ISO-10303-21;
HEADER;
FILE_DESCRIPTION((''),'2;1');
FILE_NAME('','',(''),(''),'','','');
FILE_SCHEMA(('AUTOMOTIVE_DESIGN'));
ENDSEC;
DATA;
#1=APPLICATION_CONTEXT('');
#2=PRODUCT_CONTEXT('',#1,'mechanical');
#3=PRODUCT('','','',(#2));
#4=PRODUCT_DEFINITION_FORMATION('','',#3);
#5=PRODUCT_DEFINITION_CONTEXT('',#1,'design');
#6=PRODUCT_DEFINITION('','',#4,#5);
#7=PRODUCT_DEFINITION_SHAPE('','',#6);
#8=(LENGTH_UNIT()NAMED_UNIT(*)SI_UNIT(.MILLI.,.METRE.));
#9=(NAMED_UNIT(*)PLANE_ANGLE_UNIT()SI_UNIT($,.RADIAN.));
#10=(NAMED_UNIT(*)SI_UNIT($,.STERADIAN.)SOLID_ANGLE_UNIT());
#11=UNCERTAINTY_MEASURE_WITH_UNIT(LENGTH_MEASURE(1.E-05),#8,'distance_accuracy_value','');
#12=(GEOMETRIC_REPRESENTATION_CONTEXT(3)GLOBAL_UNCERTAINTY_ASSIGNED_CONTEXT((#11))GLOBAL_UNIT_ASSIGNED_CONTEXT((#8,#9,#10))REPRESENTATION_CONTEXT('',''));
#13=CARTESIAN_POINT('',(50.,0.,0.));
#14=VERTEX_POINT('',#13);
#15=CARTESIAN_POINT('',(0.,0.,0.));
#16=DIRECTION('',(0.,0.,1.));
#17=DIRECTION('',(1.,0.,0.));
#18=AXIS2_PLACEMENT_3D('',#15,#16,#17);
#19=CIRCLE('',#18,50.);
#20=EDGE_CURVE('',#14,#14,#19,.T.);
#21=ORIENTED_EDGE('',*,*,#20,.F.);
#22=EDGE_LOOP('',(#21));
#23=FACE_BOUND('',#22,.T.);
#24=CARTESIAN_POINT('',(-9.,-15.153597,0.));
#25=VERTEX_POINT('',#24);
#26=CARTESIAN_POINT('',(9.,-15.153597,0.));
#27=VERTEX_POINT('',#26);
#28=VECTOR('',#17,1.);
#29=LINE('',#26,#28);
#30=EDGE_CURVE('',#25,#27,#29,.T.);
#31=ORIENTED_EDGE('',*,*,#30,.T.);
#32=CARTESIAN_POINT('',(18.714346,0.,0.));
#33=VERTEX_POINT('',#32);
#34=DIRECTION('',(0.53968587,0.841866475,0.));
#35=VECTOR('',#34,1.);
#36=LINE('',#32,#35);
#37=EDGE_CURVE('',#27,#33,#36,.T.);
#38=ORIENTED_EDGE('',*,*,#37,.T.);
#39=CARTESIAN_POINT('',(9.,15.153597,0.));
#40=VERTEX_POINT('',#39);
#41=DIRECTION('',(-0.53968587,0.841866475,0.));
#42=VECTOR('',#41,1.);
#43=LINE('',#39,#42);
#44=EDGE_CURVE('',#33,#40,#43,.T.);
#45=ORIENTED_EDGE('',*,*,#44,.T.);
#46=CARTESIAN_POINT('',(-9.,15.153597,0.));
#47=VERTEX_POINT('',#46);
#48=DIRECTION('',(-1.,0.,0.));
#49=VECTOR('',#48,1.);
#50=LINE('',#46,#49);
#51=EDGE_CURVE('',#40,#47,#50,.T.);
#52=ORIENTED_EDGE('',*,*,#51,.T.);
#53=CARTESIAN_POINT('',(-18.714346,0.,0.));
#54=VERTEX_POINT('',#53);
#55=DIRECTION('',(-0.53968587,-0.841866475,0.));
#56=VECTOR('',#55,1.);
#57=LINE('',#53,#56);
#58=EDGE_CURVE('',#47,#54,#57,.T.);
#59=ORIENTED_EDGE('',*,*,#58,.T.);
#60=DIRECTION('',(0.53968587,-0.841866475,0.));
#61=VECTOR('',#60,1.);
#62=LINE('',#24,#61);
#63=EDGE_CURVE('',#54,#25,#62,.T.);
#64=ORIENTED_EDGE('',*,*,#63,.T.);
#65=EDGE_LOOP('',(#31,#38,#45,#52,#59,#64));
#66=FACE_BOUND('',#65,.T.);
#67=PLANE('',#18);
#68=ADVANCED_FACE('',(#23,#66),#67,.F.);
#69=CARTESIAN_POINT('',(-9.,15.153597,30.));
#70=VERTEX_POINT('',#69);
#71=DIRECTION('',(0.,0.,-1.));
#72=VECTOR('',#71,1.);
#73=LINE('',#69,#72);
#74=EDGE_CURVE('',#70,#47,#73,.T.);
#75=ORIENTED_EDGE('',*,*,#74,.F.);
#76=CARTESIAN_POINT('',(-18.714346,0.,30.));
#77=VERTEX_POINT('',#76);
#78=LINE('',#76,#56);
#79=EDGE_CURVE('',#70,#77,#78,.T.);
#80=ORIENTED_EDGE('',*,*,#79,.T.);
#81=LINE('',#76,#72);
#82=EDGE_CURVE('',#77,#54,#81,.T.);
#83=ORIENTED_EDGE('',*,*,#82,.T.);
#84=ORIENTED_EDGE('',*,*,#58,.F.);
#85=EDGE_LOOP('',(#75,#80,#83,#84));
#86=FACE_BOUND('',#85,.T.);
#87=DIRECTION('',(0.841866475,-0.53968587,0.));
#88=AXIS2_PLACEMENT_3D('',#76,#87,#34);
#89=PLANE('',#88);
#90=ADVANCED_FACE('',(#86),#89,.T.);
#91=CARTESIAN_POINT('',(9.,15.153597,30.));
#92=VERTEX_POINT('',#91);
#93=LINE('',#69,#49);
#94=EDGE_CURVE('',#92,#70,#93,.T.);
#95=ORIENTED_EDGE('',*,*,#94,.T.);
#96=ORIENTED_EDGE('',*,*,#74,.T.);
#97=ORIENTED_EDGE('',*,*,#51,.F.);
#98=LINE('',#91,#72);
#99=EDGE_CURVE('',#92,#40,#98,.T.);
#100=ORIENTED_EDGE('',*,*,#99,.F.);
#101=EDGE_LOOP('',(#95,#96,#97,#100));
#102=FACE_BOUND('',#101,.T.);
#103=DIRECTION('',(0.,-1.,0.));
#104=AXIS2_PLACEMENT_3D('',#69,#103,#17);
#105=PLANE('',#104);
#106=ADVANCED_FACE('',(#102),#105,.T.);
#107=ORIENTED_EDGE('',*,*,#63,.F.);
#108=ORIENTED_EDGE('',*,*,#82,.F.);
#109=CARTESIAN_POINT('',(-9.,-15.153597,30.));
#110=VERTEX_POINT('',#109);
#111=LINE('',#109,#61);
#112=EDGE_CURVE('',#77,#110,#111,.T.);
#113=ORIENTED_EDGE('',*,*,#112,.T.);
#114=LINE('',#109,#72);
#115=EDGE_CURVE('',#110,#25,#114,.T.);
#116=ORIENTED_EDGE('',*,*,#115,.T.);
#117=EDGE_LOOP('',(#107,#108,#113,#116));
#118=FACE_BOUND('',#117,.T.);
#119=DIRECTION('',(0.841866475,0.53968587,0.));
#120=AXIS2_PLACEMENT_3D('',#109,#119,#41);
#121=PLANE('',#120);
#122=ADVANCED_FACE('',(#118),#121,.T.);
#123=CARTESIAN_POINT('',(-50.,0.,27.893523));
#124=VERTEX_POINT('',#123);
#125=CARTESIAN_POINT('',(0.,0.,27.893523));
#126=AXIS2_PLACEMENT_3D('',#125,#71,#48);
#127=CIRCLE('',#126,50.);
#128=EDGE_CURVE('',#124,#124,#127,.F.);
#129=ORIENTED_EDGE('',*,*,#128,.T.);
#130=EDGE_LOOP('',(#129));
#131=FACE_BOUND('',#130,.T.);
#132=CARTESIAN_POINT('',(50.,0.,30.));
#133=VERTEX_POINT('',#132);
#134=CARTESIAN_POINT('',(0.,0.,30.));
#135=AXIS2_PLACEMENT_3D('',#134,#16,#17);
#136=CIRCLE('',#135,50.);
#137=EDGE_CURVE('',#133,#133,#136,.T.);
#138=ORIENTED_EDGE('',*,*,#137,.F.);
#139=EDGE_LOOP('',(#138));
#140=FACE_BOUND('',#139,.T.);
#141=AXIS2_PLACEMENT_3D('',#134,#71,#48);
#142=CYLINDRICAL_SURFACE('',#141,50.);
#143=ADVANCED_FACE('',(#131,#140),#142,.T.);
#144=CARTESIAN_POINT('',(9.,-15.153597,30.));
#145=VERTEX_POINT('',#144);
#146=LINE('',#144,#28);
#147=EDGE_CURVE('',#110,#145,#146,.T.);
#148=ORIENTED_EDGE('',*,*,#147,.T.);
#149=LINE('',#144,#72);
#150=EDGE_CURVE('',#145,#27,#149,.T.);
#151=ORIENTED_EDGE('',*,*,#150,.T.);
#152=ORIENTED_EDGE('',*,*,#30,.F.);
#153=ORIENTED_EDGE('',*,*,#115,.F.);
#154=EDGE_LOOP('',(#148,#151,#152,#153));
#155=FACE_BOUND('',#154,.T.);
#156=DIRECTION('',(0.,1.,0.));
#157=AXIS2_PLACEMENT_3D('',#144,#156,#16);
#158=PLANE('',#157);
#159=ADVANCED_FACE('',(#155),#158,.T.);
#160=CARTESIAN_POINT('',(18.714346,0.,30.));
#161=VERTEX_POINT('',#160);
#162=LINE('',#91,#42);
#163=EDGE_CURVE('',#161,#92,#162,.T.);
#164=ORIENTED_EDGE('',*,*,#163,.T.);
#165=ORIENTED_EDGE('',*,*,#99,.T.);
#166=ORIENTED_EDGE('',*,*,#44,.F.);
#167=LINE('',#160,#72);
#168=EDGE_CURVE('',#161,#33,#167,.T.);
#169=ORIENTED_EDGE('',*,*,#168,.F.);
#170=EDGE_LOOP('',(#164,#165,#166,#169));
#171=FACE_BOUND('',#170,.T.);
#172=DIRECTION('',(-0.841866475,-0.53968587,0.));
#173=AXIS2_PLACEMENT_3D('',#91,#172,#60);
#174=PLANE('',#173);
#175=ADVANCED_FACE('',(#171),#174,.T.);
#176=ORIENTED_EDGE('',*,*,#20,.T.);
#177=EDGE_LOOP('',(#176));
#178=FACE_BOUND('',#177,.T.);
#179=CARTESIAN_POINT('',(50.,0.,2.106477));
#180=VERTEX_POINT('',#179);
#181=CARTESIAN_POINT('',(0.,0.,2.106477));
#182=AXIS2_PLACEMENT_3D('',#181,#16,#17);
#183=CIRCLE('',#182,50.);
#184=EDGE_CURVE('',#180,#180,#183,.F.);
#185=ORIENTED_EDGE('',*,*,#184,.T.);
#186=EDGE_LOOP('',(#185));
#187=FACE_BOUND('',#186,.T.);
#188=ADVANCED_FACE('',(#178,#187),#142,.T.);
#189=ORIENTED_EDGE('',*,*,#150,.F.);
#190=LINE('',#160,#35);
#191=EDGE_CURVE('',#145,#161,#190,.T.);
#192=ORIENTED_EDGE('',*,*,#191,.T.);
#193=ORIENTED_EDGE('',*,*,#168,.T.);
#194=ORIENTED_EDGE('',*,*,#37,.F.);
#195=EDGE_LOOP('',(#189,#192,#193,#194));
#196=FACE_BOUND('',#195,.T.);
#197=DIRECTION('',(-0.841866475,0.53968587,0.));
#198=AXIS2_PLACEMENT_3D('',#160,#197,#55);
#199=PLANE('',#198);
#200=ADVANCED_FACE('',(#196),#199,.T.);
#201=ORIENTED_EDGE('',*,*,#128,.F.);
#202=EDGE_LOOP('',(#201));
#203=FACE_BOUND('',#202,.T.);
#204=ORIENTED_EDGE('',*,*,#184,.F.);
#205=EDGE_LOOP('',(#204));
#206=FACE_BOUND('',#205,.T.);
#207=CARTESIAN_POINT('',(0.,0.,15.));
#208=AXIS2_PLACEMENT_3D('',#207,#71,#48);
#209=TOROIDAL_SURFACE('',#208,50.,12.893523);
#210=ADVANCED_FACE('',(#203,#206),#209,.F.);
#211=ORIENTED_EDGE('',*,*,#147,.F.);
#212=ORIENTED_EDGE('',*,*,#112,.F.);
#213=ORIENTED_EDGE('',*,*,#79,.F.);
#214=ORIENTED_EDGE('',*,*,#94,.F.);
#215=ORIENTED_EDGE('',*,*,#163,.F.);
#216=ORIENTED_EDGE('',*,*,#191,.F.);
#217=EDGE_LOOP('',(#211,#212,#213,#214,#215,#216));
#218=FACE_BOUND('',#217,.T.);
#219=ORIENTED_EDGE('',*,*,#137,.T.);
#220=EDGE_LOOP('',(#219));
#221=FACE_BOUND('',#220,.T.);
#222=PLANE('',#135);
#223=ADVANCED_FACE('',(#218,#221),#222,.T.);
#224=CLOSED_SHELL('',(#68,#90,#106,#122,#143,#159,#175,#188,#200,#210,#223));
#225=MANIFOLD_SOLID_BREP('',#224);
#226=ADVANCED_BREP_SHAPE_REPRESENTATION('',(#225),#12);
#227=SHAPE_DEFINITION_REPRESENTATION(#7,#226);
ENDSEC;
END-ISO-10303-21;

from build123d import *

# Parameters (mm, degrees)
SKETCH1_R           = 50
BOSS_EXTRUDE1_DEPTH = 30
SKETCH2_R           = 12.893523165


with BuildPart() as part:
    # Sketch1 → Boss-Extrude1 (new body)
    with BuildSketch(Plane.XY):
        Circle(SKETCH1_R)
        Polygon((-9, 15.15359655), (9, 15.15359655), (18.714345659, 0), (9, -15.15359655), (-9, -15.15359655), (-18.714345659, 0), align=None, mode=Mode.SUBTRACT)
    extrude(amount=BOSS_EXTRUDE1_DEPTH)

    # Sketch2 → Cut-Revolve1 (revolve, cut)
    with BuildSketch(Plane(origin=(0, 0, 0), x_dir=(0, 0, -1), z_dir=(1, 0, 0)), mode=Mode.PRIVATE) as cut_revolve1_sk:
        with Locations((-15, 50)):
            Circle(SKETCH2_R)
    revolve(cut_revolve1_sk.sketch.rotate(Axis((0, 0, -15.913585238), (0, 0, 1)), 90), axis=Axis((0, 0, -15.913585238), (0, 0, 1)), mode=Mode.SUBTRACT)


solid = part.part
